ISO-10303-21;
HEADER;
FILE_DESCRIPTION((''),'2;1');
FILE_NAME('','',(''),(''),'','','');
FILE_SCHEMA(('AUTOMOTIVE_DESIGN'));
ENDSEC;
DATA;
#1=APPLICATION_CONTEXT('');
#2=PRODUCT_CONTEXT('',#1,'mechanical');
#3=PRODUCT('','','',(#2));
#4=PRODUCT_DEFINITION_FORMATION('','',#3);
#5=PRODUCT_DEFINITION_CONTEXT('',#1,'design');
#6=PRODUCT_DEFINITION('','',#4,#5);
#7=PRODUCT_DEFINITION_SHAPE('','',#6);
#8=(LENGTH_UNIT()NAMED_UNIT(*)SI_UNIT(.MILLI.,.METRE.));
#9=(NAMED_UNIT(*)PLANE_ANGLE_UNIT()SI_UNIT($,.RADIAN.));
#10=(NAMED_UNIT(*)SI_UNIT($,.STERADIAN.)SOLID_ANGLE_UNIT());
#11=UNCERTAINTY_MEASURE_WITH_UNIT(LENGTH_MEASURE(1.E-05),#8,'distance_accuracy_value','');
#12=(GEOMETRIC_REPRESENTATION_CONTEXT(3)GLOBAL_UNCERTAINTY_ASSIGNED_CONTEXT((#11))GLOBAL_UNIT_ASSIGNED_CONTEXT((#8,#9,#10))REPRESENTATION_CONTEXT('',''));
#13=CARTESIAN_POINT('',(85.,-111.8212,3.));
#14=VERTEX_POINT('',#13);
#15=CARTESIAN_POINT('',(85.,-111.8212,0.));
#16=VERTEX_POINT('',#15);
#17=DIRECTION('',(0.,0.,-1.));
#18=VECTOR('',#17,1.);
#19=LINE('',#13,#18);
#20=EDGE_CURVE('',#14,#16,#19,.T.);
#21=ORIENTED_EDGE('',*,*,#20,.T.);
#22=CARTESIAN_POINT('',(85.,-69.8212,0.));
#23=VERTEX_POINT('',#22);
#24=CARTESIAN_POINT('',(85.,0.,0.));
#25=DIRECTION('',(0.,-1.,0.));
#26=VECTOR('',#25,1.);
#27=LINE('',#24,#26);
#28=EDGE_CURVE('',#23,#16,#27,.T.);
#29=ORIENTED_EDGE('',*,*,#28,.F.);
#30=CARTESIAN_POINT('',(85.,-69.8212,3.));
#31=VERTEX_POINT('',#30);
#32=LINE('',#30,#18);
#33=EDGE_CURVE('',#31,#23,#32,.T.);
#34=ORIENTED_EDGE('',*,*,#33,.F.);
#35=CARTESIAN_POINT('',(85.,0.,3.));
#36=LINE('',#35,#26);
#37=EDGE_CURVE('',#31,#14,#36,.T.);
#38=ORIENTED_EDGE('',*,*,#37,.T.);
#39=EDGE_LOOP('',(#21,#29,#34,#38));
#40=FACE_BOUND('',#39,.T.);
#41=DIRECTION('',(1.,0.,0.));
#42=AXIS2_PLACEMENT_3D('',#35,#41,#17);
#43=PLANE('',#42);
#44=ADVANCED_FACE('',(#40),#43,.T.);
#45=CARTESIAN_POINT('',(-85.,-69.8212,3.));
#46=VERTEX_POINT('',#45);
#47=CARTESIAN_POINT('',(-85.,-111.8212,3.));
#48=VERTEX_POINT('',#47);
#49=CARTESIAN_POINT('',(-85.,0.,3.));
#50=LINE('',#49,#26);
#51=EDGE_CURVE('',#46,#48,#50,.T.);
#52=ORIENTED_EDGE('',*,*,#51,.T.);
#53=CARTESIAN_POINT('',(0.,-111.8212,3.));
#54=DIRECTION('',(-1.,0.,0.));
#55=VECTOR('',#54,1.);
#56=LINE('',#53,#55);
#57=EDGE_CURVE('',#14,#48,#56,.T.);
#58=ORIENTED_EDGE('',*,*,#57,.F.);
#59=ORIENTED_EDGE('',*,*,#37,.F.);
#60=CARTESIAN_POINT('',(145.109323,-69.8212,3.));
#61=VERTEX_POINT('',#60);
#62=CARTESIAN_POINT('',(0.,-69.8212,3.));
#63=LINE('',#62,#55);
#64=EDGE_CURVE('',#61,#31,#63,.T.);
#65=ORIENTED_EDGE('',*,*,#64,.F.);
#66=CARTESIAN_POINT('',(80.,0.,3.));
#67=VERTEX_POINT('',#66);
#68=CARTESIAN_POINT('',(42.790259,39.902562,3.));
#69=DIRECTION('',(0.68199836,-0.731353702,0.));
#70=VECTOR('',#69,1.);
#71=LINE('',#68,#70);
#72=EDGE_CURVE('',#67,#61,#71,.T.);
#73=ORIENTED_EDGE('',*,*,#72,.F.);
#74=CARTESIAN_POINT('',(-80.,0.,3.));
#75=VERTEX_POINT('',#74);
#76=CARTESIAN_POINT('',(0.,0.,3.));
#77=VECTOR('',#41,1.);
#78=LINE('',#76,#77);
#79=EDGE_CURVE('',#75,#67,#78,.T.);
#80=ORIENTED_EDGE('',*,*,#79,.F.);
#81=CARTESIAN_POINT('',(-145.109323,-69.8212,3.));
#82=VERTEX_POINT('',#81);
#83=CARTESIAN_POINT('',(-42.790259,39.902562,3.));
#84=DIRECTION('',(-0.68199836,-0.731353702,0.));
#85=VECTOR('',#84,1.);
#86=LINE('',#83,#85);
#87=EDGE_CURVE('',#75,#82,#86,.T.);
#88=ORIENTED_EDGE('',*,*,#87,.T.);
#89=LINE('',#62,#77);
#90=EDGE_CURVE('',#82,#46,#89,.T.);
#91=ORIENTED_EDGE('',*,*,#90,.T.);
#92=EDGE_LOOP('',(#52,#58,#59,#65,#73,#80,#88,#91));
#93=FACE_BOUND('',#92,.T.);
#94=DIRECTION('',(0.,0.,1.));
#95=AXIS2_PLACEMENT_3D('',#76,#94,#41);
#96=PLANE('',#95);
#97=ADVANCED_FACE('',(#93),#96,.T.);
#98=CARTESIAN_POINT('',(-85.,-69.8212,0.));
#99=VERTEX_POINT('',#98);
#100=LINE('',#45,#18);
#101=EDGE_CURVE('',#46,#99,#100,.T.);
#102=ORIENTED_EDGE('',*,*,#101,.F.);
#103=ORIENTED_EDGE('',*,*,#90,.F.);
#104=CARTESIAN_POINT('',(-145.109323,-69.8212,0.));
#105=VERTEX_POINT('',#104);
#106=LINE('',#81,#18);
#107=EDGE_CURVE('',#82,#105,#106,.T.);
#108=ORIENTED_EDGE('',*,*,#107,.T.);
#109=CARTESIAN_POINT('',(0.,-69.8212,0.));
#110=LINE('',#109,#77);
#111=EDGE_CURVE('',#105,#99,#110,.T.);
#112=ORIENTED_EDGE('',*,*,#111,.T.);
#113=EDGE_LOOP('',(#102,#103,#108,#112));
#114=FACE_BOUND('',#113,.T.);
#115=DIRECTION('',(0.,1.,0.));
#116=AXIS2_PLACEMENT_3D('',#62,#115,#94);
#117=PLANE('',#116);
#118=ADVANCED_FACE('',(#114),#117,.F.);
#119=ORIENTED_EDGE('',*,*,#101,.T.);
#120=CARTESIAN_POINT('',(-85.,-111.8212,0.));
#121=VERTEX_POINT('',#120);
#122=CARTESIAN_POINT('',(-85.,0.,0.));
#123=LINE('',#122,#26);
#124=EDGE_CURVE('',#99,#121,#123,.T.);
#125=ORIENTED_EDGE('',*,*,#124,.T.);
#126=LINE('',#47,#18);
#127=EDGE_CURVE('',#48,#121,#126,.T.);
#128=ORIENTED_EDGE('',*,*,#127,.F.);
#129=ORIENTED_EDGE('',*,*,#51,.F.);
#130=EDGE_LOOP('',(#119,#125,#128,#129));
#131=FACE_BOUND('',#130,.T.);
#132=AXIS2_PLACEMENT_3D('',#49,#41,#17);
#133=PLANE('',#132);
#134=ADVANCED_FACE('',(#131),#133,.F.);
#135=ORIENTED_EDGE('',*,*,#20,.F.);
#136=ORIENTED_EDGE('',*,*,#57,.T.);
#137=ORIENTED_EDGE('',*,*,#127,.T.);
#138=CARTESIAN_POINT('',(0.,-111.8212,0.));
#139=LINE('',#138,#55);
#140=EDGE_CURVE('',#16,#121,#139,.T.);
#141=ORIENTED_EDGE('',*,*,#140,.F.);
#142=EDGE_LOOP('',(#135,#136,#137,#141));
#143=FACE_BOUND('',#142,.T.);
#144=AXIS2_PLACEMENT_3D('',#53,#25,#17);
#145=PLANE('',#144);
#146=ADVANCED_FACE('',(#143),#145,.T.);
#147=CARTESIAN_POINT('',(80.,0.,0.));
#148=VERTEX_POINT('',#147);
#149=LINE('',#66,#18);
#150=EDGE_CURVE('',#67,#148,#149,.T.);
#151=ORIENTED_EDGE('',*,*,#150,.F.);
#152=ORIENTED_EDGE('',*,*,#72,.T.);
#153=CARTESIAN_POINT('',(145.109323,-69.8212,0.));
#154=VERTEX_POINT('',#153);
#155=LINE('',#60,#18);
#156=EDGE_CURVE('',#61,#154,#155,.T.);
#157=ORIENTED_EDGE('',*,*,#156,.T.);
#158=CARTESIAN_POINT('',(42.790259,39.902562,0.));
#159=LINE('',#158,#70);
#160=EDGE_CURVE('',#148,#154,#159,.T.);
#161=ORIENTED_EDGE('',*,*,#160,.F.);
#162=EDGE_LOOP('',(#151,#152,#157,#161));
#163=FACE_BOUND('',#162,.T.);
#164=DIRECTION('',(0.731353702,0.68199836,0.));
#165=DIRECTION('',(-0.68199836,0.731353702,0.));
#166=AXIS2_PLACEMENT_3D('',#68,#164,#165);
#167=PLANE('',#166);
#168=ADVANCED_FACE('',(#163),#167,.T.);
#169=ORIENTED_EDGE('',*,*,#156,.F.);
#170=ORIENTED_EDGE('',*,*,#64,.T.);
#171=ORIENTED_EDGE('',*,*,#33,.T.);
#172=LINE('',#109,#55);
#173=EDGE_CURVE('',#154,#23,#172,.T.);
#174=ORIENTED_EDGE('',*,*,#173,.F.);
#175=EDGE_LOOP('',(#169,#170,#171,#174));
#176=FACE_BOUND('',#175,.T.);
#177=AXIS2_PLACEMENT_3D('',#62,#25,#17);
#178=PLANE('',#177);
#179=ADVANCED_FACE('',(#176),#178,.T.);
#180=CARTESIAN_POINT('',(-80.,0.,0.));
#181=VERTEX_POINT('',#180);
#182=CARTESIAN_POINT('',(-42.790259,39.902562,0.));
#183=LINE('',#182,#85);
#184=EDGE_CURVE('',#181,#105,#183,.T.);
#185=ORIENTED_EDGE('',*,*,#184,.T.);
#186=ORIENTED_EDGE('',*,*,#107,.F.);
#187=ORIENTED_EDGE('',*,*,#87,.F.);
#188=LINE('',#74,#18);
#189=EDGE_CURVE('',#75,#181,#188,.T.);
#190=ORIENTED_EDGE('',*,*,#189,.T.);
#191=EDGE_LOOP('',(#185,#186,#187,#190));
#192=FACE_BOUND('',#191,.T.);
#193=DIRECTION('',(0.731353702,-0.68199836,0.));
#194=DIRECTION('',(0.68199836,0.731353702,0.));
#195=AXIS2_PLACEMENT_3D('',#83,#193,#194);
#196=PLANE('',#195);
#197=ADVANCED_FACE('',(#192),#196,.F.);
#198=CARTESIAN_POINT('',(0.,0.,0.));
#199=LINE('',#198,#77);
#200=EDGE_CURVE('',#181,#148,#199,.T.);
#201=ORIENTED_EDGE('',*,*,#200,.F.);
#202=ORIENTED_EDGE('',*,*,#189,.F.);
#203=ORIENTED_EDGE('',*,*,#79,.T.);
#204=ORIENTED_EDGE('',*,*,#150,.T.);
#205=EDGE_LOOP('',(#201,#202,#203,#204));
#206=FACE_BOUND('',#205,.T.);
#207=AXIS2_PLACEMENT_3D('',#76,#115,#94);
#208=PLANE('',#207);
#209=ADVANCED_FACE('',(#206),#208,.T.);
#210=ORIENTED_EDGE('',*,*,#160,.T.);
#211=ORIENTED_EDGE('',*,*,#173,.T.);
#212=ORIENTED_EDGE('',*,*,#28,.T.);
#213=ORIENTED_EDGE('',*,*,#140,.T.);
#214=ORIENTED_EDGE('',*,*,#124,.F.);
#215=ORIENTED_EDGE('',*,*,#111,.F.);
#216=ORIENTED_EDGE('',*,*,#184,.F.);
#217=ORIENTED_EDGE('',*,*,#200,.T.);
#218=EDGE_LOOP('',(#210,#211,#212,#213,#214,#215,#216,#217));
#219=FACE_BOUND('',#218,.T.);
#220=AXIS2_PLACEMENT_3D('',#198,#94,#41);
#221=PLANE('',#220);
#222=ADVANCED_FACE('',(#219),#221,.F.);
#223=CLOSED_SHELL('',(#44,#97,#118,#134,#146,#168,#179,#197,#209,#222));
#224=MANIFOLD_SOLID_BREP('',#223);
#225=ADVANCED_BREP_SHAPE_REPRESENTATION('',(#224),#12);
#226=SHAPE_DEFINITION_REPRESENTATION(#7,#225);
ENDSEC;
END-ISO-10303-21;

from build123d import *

# Parameters (mm, degrees)
EXTRUDE_1_DEPTH = 3


with BuildPart() as part:
    # 草图1 → 凸台-拉伸1 (new body)
    with BuildSketch(Plane.XY):
        Polygon((0, 0), (-80, 0), (-145.109322536, -69.821200219), (-85, -69.821200219), (-85, -111.821200219), (0, -111.821200219), align=None)
        Polygon((80, 0), (0, 0), (0, -111.821200219), (85, -111.821200219), (85, -69.821200219), (145.109322536, -69.821200219), align=None)
    extrude(amount=EXTRUDE_1_DEPTH)


solid = part.part
